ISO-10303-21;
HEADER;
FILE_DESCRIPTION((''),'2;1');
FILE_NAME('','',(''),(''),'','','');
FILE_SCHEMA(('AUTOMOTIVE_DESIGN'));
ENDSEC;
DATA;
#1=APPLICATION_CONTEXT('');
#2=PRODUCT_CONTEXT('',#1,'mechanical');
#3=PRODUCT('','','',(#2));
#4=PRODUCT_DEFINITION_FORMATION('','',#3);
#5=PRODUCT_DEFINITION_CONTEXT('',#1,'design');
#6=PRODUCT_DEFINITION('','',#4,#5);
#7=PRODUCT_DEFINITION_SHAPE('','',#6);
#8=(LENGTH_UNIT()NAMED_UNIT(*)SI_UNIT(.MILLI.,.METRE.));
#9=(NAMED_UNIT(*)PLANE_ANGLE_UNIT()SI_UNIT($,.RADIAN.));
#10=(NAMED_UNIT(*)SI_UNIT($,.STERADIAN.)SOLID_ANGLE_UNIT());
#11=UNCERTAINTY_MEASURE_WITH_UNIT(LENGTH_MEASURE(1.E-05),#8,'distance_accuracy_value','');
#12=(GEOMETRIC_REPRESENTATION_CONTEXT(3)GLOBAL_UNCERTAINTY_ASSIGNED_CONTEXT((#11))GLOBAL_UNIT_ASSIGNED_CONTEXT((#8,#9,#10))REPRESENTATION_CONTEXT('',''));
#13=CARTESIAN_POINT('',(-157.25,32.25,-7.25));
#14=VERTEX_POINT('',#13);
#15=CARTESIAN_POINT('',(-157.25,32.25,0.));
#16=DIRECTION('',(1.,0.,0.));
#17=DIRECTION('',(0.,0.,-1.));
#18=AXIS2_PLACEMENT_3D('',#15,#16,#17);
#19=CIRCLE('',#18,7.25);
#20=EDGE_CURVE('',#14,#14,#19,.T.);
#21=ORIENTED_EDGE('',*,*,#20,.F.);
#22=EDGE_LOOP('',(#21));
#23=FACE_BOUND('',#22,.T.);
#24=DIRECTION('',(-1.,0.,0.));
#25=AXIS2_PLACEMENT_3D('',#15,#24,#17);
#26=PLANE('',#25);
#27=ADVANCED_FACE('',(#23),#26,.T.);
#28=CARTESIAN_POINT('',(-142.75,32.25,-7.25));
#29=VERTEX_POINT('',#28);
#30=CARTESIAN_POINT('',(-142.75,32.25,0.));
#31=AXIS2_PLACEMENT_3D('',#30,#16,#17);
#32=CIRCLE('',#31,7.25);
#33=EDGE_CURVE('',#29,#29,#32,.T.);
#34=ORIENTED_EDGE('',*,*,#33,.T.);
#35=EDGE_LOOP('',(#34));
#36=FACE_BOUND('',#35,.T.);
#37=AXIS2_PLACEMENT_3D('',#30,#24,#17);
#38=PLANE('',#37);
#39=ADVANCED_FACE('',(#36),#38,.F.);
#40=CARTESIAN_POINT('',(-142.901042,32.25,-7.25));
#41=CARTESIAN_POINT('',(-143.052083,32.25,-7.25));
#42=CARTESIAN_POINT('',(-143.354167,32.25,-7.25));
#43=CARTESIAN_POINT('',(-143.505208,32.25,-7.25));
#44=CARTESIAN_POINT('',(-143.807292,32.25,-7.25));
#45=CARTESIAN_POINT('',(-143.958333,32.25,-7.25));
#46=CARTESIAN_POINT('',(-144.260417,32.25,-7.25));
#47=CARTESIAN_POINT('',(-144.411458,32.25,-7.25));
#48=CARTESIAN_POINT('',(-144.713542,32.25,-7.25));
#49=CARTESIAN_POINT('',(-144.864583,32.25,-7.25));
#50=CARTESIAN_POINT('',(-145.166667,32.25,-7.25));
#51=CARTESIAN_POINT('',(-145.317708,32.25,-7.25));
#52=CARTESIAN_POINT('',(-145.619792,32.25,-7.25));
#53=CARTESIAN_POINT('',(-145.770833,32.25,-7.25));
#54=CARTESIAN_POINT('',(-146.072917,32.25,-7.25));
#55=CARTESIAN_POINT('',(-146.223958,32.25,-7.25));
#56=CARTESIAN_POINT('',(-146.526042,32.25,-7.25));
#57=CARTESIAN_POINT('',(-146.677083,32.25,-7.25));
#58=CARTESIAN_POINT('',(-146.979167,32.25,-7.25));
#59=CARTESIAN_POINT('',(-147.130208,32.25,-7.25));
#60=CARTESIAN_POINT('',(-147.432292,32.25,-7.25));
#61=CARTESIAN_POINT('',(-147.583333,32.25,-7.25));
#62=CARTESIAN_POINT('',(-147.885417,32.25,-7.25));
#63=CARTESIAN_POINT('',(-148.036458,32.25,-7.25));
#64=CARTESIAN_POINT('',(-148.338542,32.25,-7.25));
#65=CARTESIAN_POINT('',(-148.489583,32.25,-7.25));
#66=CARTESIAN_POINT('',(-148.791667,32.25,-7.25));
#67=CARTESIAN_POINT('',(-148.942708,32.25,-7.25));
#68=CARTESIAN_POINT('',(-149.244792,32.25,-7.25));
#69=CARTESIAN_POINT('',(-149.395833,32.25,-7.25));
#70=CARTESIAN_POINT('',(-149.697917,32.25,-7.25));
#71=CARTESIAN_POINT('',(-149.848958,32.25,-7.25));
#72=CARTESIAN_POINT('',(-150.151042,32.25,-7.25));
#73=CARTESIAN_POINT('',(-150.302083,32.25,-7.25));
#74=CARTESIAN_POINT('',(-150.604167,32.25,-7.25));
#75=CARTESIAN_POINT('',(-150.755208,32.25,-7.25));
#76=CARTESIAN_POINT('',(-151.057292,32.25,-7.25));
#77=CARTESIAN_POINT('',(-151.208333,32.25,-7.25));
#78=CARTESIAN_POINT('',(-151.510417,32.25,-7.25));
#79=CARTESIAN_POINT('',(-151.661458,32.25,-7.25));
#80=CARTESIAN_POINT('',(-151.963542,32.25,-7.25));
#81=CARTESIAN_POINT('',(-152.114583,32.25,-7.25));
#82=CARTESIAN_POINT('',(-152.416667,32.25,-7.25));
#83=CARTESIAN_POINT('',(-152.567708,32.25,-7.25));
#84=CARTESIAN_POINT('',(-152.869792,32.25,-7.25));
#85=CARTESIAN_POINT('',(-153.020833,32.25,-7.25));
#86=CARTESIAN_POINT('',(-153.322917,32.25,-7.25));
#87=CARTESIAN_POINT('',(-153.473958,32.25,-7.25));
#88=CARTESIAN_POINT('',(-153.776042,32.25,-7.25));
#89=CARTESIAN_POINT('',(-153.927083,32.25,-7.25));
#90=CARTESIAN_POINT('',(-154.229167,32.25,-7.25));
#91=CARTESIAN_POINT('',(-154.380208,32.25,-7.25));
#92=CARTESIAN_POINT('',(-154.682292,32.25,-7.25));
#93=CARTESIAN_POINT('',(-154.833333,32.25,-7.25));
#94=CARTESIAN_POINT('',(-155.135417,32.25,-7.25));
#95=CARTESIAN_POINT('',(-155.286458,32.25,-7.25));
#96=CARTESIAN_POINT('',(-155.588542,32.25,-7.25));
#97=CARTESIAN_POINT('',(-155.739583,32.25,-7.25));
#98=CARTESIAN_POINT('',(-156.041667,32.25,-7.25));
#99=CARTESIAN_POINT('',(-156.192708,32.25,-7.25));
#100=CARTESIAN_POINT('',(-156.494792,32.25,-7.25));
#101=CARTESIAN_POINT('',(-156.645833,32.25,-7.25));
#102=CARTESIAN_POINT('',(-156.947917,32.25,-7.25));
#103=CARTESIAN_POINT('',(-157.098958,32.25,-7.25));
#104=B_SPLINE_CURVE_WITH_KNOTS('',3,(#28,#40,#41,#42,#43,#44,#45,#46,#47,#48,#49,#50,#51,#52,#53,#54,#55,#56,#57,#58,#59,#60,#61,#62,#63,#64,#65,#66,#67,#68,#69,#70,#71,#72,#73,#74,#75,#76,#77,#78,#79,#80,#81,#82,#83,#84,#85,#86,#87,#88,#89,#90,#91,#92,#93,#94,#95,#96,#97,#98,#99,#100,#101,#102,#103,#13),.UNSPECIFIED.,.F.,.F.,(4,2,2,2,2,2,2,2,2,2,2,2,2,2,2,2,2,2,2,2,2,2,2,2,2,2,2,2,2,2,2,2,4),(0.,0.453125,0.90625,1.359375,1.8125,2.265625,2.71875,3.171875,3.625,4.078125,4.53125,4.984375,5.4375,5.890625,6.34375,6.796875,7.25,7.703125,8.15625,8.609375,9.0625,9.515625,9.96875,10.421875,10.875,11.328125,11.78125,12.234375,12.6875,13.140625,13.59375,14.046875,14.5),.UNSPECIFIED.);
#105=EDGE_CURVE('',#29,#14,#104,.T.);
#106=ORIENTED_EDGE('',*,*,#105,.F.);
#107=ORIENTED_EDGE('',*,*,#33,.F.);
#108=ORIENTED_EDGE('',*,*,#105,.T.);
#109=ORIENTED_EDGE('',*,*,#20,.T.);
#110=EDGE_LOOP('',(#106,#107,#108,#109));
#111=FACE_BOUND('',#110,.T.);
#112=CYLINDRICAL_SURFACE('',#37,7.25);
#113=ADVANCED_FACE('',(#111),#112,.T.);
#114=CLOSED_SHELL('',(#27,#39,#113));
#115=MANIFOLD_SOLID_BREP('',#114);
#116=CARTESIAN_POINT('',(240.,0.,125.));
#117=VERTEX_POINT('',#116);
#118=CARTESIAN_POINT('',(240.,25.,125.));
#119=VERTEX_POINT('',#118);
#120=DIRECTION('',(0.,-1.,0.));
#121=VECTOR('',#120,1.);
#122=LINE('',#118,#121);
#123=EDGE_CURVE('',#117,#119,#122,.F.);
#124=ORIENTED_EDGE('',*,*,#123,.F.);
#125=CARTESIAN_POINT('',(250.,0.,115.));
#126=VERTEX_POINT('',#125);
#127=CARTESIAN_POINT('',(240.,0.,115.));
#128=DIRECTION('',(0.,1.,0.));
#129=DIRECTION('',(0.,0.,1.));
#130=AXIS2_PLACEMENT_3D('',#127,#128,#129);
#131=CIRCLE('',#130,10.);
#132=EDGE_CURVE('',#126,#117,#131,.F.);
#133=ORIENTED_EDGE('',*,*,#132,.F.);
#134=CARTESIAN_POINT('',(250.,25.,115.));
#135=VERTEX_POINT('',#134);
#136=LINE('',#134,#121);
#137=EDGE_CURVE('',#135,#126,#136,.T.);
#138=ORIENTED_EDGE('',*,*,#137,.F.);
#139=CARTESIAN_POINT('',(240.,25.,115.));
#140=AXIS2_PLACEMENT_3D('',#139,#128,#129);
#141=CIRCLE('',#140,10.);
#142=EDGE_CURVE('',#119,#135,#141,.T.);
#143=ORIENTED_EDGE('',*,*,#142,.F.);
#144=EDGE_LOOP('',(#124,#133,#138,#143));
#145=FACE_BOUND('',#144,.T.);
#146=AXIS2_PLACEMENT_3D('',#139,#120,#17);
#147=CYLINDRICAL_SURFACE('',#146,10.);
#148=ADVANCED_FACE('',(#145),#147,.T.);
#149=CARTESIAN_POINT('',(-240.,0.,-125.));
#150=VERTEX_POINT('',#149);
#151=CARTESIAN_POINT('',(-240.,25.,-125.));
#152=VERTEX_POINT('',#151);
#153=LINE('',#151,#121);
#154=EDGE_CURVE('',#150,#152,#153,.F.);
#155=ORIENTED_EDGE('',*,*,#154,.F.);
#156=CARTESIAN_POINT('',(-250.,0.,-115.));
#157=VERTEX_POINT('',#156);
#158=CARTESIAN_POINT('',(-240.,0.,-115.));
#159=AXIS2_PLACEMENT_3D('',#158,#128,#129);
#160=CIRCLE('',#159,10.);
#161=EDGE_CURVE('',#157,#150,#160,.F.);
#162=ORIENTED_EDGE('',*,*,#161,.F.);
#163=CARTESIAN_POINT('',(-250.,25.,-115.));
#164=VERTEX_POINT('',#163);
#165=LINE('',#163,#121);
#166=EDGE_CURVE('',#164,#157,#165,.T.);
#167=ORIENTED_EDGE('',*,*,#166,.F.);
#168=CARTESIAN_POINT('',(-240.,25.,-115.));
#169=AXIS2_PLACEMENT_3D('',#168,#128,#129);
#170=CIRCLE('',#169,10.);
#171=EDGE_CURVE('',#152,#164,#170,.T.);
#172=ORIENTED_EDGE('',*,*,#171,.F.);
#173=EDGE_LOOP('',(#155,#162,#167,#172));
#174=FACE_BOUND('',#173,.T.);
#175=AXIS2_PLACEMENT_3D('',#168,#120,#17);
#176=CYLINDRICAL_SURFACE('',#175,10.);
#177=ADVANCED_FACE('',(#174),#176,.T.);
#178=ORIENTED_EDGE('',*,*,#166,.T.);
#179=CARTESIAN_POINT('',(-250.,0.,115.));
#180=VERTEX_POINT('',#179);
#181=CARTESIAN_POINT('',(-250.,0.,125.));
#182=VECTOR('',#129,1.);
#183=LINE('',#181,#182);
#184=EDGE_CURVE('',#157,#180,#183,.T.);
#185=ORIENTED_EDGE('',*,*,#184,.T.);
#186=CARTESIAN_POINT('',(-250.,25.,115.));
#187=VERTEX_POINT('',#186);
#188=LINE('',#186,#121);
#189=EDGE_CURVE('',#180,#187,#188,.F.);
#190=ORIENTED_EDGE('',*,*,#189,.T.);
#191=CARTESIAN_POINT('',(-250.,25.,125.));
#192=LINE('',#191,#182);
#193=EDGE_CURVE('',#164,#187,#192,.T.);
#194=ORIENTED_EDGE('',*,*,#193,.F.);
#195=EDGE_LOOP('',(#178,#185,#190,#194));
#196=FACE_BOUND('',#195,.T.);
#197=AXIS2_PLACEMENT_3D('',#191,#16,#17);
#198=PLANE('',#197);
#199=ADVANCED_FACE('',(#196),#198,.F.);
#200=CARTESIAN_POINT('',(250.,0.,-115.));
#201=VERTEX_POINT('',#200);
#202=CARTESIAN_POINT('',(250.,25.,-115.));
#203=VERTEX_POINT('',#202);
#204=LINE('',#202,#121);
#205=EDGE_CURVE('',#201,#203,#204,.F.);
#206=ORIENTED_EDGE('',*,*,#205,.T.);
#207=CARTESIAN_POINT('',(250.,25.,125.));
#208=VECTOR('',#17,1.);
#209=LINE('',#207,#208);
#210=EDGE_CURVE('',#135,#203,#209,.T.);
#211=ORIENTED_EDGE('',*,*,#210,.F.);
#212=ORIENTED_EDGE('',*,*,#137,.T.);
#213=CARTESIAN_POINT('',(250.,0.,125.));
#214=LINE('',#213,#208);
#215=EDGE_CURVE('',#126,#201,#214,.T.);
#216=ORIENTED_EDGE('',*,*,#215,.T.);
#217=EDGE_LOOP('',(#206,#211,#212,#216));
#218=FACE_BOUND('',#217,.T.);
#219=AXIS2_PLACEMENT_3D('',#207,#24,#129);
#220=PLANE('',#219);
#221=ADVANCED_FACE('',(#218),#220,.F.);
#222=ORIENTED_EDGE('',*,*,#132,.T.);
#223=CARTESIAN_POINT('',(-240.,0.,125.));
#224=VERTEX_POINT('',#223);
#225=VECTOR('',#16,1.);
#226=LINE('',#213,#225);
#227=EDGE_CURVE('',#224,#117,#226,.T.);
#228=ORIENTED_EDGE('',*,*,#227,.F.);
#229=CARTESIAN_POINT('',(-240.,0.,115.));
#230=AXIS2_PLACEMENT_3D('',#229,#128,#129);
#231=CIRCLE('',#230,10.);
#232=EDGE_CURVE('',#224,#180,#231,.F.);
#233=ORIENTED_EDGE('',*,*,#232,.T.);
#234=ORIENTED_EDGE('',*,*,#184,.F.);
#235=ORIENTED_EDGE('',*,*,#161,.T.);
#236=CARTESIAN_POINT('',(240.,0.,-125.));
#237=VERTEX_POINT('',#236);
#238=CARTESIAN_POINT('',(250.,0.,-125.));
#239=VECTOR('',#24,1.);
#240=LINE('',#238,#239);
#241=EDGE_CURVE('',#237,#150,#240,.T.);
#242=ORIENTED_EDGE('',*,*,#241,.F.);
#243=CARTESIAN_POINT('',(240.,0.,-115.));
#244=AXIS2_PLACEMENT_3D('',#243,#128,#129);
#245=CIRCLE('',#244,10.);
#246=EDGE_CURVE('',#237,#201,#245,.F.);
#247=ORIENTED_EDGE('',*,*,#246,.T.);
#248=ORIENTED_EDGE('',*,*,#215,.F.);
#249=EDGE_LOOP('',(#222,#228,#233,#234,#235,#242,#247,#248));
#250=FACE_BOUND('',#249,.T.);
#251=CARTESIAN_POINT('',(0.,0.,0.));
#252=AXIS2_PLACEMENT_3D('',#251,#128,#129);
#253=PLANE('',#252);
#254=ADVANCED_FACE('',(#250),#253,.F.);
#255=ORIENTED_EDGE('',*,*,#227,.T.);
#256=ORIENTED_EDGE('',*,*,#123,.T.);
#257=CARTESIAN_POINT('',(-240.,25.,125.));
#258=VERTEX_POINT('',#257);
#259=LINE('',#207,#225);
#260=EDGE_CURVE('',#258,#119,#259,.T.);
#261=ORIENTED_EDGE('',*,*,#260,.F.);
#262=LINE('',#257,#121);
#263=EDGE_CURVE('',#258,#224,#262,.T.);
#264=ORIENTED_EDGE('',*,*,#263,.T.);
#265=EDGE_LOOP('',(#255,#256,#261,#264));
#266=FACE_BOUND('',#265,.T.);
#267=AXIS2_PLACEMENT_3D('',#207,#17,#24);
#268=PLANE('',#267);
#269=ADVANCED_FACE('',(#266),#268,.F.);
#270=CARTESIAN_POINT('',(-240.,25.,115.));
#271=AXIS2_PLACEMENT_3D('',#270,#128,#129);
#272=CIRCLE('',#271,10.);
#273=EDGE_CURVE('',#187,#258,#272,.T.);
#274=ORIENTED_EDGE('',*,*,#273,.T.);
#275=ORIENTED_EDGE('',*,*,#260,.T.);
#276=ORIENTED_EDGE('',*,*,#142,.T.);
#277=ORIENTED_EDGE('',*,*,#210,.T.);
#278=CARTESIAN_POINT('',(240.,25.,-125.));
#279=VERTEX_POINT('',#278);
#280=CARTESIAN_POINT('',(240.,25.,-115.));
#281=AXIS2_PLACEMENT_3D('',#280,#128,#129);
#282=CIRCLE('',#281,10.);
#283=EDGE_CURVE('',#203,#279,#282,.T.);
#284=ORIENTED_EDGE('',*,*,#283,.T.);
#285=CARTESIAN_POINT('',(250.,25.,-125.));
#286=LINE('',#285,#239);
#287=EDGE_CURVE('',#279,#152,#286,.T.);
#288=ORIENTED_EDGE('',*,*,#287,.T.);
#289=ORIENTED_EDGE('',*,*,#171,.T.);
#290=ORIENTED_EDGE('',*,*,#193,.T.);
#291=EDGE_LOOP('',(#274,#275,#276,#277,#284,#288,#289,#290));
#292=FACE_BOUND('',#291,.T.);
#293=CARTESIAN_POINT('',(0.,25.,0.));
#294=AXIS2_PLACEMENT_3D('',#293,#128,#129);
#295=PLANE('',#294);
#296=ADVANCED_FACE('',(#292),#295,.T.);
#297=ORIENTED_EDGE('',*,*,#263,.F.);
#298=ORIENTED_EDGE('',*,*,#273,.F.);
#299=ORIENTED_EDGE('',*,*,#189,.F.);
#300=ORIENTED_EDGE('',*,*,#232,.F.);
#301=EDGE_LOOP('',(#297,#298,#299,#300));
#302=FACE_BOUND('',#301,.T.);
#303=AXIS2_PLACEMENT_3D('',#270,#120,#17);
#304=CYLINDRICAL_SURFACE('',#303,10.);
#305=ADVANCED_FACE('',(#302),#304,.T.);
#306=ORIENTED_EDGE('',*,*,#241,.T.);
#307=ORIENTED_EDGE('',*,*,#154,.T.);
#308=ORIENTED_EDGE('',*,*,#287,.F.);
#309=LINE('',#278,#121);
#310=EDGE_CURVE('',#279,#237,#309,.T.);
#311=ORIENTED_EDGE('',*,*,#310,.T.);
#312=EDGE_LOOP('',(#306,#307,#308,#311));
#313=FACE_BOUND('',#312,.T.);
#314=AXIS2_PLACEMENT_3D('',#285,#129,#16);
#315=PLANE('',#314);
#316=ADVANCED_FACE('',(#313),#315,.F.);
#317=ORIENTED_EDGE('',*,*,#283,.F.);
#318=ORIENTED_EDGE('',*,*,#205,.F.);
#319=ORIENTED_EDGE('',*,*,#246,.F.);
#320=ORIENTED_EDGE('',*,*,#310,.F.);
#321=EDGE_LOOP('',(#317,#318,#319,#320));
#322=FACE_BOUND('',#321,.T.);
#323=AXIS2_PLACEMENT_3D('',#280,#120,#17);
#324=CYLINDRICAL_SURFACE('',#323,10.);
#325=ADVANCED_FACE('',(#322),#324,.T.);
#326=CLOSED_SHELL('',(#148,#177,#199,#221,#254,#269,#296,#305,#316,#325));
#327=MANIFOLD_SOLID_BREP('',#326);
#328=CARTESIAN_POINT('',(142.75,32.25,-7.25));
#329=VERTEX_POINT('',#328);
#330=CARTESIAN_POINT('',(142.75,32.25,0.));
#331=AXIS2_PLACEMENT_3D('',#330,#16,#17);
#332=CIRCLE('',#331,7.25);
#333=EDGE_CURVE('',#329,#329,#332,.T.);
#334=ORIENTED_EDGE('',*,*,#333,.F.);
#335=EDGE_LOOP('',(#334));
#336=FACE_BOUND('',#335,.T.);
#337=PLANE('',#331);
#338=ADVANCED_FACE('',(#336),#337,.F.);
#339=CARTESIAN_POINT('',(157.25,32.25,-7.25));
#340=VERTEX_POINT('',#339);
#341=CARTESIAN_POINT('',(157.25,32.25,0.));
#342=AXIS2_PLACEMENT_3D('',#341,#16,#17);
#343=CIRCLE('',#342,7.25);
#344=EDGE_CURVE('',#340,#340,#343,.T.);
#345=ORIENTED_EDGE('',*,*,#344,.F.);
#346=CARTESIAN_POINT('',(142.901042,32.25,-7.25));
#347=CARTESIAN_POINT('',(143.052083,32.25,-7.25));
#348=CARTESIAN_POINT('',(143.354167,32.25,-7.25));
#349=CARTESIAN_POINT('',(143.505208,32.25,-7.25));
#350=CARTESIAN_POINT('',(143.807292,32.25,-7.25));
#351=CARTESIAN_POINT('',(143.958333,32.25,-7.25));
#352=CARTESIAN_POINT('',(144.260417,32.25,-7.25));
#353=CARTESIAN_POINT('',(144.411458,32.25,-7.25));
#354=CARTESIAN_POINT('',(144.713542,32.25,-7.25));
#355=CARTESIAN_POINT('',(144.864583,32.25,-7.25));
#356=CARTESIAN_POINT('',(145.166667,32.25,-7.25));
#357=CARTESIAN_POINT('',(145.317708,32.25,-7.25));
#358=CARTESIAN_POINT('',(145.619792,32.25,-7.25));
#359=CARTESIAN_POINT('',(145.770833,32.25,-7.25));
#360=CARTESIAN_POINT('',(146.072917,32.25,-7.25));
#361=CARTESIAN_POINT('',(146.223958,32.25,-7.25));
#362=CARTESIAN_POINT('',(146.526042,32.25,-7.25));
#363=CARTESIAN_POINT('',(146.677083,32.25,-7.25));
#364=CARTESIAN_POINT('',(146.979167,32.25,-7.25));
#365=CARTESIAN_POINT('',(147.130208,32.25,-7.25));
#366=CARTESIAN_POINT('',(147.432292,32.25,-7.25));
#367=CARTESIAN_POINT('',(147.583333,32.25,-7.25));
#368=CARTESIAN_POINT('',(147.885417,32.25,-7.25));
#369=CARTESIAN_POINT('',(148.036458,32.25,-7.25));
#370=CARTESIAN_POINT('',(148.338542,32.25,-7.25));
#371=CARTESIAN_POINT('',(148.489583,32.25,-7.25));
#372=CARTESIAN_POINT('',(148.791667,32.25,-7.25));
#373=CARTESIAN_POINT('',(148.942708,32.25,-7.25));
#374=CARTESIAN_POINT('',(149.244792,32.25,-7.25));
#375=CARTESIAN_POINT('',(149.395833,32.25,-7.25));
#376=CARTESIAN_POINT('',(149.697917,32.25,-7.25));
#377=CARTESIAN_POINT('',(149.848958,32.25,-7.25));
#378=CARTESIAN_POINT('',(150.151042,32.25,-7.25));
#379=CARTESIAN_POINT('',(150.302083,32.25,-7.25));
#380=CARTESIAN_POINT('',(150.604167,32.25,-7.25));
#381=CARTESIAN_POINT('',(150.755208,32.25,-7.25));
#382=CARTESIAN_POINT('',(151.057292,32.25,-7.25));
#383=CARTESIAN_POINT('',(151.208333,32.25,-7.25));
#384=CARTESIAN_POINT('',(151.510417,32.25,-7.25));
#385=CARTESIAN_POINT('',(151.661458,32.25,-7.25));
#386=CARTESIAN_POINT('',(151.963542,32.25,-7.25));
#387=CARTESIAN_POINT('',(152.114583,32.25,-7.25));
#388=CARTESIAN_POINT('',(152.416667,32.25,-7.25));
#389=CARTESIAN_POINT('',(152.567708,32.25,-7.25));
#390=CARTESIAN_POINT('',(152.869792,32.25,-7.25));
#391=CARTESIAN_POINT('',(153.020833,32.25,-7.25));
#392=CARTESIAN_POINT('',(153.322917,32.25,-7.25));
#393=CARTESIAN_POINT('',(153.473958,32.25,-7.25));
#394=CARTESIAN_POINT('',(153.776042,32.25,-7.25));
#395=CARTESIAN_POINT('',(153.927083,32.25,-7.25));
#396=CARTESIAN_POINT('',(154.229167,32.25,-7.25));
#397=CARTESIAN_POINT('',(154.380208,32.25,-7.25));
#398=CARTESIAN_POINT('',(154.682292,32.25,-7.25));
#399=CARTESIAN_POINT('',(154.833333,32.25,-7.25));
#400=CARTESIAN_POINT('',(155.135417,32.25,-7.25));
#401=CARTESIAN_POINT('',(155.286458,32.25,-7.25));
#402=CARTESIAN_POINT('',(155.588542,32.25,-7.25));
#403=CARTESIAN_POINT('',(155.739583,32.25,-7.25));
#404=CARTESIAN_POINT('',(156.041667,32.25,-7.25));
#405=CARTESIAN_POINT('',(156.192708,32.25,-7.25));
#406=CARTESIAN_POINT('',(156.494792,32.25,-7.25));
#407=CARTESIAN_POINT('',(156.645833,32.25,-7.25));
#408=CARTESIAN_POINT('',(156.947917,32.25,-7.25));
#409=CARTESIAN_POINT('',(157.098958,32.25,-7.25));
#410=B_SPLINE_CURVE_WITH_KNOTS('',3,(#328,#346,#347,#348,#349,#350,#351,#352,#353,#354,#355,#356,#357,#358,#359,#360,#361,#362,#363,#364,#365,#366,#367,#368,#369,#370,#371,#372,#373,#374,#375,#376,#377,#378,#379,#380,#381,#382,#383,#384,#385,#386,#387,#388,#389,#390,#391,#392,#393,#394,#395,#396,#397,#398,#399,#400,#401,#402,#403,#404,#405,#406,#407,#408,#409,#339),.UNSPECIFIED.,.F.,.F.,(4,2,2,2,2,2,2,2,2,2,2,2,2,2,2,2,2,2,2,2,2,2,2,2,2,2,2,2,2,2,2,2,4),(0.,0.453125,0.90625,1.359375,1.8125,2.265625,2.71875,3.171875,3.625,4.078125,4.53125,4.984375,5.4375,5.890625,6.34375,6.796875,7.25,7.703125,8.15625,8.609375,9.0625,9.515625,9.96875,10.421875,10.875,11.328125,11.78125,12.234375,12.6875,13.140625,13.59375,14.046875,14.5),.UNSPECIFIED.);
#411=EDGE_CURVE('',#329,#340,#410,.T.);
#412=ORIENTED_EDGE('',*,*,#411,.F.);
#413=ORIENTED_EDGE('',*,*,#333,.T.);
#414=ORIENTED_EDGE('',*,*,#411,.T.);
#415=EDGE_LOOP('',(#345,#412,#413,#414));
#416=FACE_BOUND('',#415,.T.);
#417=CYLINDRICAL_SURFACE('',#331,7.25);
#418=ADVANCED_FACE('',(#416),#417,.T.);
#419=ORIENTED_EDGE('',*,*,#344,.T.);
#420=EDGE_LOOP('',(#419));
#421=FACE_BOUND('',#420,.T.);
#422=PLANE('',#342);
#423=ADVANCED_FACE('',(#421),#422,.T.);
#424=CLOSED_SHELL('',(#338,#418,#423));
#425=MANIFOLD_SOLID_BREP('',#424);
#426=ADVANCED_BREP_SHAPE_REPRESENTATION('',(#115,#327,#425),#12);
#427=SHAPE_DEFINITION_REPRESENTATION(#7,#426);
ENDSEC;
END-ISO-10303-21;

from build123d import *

# Parameters (mm, degrees)
SKETCH1_W                = 500
SKETCH1_H                = 250
BOSS_EXTRUDE1_DEPTH      = 25
FILLET1_R                = 10
BOSS_EXTRUDE2_DEPTH      = 7.25
BOSS_EXTRUDE2_DEPTH_BACK = 7.25
SKETCH5_R                = 7.25


with BuildPart() as part:
    # Sketch1 → Boss-Extrude1 (new body)
    with BuildSketch(Plane(origin=(0, 0, 0), x_dir=(1, 0, 0), z_dir=(0, 1, 0))):
        Rectangle(SKETCH1_W, SKETCH1_H)
    extrude(amount=BOSS_EXTRUDE1_DEPTH)

    # Fillet1
    fillet1_edges = [part.edges().sort_by_distance(p)[0] for p in [
        (-250, 12.5, -125),
        (250, 12.5, -125),
        (250, 12.5, 125),
        (-250, 12.5, 125),
    ]]
    fillet(fillet1_edges, radius=FILLET1_R)


with BuildPart() as body_2:
    # Sketch5 → Boss-Extrude2 (new, two sides: drawn at the far end of the back side and taken through both)
    with BuildSketch(Plane(origin=(150, 0, 0), x_dir=(0, 0, -1), z_dir=(1, 0, 0)).offset(-BOSS_EXTRUDE2_DEPTH_BACK)):
        with Locations((0, 32.25)):
            Circle(SKETCH5_R)
    extrude(amount=BOSS_EXTRUDE2_DEPTH + BOSS_EXTRUDE2_DEPTH_BACK)


with BuildPart() as body_3:
    # Mirror3: mirrored copy
    add(body_2.part.mirror(Plane(origin=(0, 0, 0), x_dir=(0, 0, 1), z_dir=(1, 0, 0))))


solid = Compound([part.part, body_2.part, body_3.part])
